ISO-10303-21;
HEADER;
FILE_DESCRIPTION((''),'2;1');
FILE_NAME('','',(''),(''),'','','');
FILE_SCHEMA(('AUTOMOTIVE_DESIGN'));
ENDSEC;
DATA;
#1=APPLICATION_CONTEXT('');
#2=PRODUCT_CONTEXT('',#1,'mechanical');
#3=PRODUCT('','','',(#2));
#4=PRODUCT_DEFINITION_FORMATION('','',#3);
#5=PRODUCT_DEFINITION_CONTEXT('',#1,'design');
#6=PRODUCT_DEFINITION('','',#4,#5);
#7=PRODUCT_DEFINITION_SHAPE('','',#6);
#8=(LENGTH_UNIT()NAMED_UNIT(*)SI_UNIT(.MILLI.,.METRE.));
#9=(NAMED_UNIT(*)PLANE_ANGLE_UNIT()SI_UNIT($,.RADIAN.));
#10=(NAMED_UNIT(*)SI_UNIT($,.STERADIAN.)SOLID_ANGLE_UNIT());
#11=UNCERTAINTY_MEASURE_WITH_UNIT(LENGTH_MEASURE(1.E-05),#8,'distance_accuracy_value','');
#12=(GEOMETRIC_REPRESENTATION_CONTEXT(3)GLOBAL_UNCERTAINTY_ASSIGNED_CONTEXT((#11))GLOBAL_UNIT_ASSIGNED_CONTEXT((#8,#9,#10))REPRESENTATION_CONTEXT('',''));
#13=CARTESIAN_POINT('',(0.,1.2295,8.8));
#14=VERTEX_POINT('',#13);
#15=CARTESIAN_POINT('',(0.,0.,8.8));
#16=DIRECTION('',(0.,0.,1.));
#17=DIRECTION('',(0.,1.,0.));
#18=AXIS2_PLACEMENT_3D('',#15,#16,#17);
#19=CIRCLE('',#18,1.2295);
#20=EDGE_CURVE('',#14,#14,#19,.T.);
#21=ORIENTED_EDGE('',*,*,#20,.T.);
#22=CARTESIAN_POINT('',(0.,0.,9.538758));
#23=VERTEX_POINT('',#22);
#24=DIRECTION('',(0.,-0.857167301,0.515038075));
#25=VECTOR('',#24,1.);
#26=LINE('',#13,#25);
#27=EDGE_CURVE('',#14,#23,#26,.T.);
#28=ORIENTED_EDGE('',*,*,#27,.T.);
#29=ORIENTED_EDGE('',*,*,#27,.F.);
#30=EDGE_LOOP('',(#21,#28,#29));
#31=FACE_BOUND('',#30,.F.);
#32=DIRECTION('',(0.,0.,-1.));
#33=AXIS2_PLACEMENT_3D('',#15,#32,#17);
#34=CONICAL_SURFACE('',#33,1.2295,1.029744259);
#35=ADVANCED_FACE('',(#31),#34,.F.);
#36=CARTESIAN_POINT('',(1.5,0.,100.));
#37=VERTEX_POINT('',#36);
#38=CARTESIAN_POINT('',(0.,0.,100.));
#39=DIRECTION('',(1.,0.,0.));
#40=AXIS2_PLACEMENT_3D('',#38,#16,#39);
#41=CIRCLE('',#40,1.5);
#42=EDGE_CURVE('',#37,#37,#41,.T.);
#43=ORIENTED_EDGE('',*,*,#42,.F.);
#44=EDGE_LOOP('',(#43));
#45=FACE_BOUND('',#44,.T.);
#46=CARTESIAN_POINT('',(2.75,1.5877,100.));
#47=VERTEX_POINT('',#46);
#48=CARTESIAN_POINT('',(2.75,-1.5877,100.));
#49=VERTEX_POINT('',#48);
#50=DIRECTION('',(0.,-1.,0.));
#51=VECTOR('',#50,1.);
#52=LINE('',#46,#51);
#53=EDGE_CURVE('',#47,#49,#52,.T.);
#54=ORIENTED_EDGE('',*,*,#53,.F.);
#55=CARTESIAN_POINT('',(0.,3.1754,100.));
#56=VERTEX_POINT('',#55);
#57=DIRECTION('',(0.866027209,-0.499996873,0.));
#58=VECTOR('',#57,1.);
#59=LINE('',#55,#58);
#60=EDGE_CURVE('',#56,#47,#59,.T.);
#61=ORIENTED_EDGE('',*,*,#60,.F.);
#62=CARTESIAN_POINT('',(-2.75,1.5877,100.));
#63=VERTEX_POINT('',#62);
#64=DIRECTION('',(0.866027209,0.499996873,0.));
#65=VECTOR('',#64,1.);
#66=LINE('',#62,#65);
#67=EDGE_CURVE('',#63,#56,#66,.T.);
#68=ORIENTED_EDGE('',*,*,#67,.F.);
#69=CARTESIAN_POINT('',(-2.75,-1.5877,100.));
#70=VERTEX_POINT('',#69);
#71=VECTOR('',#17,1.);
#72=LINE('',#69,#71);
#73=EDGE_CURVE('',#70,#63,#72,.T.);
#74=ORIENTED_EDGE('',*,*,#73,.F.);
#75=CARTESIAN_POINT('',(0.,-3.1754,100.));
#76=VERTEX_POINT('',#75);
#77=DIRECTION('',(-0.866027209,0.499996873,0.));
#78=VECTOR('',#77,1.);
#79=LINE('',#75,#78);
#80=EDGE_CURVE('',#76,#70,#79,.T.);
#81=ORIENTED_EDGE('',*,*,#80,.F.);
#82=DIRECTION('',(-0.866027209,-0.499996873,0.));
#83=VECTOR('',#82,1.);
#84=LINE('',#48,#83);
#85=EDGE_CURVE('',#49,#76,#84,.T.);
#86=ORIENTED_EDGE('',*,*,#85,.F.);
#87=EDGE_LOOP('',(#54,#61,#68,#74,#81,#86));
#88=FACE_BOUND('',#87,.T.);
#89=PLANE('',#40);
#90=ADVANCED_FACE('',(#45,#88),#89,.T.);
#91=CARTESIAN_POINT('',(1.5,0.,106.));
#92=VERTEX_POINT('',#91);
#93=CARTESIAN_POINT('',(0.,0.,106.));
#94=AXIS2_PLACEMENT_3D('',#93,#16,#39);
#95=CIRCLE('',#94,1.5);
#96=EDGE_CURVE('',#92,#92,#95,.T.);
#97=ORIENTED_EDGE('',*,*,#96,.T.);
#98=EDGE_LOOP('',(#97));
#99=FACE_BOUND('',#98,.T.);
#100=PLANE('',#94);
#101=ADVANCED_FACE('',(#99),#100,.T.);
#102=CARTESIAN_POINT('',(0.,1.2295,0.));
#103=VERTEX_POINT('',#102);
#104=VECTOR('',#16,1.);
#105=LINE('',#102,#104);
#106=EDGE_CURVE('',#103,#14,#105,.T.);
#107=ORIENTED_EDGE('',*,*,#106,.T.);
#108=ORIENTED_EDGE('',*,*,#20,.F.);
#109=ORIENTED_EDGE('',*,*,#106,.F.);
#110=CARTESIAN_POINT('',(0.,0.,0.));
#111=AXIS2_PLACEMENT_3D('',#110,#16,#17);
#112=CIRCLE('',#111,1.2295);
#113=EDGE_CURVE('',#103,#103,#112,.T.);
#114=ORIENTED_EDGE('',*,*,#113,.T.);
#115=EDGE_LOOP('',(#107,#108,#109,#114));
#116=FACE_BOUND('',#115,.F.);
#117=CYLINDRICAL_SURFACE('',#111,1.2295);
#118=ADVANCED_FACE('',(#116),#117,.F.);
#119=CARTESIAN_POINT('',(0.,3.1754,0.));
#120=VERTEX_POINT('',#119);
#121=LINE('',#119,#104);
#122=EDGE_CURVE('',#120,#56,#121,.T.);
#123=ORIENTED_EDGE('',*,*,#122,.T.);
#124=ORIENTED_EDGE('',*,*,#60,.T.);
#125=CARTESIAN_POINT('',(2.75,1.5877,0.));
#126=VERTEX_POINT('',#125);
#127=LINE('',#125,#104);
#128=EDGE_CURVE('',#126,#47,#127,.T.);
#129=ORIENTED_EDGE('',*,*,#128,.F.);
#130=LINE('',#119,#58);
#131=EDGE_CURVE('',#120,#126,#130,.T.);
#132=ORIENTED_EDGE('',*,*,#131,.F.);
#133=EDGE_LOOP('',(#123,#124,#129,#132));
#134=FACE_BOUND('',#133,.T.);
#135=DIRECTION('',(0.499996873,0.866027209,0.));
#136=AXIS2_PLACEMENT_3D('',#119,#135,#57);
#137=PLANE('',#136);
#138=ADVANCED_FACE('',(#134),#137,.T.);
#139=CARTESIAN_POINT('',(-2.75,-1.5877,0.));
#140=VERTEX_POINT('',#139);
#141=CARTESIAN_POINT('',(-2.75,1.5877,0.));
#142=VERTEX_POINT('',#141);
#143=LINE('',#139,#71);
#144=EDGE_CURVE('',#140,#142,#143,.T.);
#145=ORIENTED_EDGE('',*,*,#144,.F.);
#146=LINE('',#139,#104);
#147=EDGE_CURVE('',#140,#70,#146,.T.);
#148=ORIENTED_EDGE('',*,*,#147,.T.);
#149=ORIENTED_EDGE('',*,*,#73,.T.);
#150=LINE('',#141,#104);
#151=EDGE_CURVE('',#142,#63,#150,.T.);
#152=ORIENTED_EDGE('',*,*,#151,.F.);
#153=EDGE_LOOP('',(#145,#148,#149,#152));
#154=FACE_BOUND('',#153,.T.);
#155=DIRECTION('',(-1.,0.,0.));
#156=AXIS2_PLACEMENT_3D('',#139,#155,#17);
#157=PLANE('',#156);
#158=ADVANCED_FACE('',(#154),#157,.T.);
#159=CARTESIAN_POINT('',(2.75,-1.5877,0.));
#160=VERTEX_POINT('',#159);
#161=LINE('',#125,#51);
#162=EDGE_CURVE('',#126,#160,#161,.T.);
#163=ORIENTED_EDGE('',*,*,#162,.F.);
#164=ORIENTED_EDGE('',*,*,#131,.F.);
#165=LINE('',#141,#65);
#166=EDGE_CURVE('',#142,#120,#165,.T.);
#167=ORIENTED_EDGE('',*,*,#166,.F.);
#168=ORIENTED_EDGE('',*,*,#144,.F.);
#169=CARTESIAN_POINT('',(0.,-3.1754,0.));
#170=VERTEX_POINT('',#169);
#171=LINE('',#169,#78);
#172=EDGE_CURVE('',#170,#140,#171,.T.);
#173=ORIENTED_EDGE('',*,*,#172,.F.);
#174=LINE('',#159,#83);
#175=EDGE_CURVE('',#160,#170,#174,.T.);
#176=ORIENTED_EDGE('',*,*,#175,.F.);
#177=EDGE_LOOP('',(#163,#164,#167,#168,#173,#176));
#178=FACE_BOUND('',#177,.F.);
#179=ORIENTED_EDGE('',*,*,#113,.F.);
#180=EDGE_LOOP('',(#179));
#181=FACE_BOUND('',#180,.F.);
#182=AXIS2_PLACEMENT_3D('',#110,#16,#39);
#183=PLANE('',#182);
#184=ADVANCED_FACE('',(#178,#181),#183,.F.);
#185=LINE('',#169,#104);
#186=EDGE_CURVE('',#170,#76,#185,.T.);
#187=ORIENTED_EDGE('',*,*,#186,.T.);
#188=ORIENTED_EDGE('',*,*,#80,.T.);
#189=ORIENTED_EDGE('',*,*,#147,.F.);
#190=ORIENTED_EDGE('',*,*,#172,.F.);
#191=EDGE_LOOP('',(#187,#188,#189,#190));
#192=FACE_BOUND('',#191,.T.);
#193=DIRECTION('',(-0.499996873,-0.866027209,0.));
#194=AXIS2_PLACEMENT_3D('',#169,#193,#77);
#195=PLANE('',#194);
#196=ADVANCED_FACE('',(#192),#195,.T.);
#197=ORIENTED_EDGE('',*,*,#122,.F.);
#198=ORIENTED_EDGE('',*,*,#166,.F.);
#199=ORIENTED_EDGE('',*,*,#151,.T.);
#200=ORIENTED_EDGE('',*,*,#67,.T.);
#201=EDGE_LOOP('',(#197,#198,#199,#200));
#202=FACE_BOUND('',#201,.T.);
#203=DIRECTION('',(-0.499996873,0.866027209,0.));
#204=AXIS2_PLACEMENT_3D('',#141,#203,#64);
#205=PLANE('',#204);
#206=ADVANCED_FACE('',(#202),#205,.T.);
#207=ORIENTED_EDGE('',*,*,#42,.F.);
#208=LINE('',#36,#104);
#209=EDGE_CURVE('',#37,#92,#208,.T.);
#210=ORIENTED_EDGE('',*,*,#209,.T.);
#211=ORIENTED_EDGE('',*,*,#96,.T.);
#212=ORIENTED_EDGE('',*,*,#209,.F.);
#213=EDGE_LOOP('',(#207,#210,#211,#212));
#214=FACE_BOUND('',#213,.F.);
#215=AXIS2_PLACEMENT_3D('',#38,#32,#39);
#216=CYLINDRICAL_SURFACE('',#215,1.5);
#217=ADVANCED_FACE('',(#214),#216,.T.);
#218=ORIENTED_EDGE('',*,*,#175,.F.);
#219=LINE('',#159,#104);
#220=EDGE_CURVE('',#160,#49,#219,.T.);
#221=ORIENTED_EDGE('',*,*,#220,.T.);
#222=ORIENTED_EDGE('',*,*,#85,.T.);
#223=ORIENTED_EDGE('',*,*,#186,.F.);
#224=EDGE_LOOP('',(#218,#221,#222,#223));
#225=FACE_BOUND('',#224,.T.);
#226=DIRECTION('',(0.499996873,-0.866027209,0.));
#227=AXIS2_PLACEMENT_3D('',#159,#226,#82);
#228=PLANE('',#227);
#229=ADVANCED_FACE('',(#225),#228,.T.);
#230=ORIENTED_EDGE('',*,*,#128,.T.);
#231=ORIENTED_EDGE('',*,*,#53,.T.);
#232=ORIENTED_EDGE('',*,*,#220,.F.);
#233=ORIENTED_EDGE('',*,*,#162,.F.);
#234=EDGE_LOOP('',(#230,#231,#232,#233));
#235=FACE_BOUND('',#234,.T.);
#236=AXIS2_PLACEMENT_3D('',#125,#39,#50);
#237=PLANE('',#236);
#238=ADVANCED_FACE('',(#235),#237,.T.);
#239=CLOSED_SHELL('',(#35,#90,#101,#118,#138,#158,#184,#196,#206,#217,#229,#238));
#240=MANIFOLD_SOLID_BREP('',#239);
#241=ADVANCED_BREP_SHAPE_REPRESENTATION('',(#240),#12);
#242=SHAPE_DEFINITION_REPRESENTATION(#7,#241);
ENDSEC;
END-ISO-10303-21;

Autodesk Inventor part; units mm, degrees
ref_plane "YZ Plane" through (0, 0, 0) normal (1, 0, 0) x (0, 1, 0)
ref_plane "XZ Plane" through (0, 0, 0) normal (0, 1, 0) x (-1, 0, 0)
ref_plane "XY Plane" through (0, 0, 0) normal (0, 0, 1) x (1, 0, 0)
sketch "スケッチ1" plane through (0, 0, 0) normal (0, 0, 1) x (1, 0, 0)
  line L0 (0, 3.1754) -> (2.75, 1.5877)
  line L1 (2.75, 1.5877) -> (2.75, -1.5877)
  line L2 (2.75, -1.5877) -> (0, -3.1754)
  line L3 (0, -3.1754) -> (-2.75, -1.5877)
  line L4 (-2.75, -1.5877) -> (-2.75, 1.5877)
  line L5 (-2.75, 1.5877) -> (0, 3.1754)
  point P0 (0, 0)
  point P1 (0, 0)
  dimension "d0" = 5.5
extrude "押し出し1" add sketch "スケッチ1" along normal blind 100
sketch "スケッチ2" plane through (0, 0, 100) normal (0, 0, 1) x (1, 0, 0)
  circle A0 centre (0, 0) radius 1.5
  dimension "d3" = 3
extrude "押し出し2" add sketch "スケッチ2" along normal blind 6
thread "ねじ1" size "M3x0.5" class "6g" standard "ANSI Metric M Profile" full length
sketch "スケッチ3" plane through (0, 0, 0) normal (0, 0, -1) x (-1, 0, 0)
  point P0 (0, 0)
hole "穴1" at (0, 0, 0) direction (0, 0, 1) diameter 2.459 depth 8.8 tip angle 118 thread size "M3x0.5" class "6H" standard "ISO Metric profile"
properties part number "ステンレススペーサー（六角）_BSU-3100" material "ステンレス鋼"
